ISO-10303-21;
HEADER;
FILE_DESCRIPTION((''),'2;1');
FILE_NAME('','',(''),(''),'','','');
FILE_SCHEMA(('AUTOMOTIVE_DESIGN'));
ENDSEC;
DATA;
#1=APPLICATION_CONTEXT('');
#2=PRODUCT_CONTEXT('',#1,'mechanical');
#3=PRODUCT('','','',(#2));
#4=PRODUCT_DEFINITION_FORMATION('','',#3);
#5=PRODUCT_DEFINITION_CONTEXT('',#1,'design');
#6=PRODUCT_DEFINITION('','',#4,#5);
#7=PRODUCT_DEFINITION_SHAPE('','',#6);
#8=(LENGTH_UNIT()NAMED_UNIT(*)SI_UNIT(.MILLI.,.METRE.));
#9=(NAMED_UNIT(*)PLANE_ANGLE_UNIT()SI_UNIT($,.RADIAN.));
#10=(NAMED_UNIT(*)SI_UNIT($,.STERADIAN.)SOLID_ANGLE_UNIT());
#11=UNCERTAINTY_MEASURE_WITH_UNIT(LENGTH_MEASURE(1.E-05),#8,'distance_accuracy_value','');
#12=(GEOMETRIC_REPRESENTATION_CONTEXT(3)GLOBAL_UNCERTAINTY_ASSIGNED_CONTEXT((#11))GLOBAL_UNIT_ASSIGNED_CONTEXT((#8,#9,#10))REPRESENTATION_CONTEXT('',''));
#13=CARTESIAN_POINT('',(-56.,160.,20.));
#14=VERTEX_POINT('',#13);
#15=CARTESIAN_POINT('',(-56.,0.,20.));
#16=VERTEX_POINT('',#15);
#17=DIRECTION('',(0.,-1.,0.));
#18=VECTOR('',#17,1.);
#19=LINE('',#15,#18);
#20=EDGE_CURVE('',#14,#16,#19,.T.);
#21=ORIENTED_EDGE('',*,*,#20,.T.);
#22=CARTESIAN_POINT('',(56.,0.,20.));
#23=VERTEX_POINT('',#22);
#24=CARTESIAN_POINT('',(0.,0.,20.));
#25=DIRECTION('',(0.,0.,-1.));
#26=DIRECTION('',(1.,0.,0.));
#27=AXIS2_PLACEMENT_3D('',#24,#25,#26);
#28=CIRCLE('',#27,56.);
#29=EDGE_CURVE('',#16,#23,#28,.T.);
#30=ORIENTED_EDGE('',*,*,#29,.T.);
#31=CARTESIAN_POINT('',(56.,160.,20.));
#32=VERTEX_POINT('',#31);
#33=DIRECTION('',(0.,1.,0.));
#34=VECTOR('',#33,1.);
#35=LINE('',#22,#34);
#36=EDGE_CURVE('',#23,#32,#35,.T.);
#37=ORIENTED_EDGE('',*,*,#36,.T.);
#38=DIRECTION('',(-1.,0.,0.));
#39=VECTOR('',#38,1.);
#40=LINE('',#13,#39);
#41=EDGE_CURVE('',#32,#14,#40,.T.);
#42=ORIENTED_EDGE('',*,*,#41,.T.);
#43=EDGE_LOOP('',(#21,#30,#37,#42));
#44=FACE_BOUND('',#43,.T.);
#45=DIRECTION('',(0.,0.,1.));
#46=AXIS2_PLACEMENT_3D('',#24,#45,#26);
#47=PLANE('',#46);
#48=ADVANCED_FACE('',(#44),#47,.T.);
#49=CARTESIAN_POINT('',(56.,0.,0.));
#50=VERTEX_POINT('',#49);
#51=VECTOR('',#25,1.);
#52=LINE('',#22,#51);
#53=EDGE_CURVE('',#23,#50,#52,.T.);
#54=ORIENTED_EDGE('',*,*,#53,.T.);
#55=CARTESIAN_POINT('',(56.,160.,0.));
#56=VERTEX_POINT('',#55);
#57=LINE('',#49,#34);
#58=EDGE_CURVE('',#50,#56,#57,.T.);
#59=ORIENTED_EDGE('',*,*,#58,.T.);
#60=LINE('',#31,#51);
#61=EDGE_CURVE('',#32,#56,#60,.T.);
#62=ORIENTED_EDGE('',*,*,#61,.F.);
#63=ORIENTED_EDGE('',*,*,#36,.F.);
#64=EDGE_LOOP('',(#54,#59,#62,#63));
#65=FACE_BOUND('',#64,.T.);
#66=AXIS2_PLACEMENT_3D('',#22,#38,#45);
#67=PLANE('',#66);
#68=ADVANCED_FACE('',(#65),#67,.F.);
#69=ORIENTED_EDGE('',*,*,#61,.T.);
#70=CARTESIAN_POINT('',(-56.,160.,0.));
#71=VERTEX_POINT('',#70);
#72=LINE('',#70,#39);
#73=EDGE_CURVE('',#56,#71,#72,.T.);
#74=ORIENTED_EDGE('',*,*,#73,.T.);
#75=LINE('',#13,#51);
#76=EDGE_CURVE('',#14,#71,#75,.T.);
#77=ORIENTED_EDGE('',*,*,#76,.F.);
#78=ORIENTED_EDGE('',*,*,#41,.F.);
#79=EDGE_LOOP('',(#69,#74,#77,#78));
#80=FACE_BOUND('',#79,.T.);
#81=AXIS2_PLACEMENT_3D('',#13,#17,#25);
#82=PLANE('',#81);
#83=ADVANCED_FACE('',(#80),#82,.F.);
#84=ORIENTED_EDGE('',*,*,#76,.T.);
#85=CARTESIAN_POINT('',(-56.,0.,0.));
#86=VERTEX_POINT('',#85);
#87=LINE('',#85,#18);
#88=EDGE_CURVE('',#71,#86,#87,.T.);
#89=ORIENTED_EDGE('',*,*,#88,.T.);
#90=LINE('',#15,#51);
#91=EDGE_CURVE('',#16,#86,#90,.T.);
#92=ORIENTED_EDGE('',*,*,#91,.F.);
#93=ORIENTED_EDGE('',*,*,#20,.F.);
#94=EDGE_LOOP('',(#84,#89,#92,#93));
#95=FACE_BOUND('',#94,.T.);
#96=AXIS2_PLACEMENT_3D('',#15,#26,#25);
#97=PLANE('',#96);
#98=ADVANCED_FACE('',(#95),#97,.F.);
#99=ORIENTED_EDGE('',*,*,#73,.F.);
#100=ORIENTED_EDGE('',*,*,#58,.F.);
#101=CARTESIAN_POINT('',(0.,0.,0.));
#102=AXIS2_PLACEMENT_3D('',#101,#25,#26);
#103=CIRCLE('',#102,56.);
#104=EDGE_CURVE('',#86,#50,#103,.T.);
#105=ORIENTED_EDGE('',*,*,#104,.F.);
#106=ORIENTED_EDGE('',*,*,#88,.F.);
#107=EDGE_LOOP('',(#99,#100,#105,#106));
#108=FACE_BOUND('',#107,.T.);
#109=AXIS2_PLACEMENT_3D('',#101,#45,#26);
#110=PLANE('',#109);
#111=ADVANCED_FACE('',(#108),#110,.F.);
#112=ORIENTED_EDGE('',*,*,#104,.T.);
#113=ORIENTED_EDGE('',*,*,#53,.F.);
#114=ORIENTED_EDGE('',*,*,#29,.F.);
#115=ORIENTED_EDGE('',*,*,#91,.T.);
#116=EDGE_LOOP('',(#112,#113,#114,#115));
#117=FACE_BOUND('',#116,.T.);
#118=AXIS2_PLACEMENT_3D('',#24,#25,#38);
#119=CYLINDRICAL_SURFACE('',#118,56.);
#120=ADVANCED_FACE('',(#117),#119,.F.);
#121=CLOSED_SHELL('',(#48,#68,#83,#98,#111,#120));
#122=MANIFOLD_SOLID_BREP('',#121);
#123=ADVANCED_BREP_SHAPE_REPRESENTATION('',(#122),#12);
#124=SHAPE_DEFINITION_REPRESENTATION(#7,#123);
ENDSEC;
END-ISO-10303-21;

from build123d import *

# Parameters (mm, degrees)
EXTRUDE_1_DEPTH = 20


with BuildPart() as part:
    # 草图1 → 凸台-拉伸1 (new body)
    with BuildSketch(Plane.XY):
        with BuildLine():
            Line((-56, 0), (-56, 160))
            Line((-56, 160), (56, 160))
            Line((56, 160), (56, 0))
            ThreePointArc((56, 0), (0, 56), (-56, 0))
        make_face()
    extrude(amount=EXTRUDE_1_DEPTH)


solid = part.part
